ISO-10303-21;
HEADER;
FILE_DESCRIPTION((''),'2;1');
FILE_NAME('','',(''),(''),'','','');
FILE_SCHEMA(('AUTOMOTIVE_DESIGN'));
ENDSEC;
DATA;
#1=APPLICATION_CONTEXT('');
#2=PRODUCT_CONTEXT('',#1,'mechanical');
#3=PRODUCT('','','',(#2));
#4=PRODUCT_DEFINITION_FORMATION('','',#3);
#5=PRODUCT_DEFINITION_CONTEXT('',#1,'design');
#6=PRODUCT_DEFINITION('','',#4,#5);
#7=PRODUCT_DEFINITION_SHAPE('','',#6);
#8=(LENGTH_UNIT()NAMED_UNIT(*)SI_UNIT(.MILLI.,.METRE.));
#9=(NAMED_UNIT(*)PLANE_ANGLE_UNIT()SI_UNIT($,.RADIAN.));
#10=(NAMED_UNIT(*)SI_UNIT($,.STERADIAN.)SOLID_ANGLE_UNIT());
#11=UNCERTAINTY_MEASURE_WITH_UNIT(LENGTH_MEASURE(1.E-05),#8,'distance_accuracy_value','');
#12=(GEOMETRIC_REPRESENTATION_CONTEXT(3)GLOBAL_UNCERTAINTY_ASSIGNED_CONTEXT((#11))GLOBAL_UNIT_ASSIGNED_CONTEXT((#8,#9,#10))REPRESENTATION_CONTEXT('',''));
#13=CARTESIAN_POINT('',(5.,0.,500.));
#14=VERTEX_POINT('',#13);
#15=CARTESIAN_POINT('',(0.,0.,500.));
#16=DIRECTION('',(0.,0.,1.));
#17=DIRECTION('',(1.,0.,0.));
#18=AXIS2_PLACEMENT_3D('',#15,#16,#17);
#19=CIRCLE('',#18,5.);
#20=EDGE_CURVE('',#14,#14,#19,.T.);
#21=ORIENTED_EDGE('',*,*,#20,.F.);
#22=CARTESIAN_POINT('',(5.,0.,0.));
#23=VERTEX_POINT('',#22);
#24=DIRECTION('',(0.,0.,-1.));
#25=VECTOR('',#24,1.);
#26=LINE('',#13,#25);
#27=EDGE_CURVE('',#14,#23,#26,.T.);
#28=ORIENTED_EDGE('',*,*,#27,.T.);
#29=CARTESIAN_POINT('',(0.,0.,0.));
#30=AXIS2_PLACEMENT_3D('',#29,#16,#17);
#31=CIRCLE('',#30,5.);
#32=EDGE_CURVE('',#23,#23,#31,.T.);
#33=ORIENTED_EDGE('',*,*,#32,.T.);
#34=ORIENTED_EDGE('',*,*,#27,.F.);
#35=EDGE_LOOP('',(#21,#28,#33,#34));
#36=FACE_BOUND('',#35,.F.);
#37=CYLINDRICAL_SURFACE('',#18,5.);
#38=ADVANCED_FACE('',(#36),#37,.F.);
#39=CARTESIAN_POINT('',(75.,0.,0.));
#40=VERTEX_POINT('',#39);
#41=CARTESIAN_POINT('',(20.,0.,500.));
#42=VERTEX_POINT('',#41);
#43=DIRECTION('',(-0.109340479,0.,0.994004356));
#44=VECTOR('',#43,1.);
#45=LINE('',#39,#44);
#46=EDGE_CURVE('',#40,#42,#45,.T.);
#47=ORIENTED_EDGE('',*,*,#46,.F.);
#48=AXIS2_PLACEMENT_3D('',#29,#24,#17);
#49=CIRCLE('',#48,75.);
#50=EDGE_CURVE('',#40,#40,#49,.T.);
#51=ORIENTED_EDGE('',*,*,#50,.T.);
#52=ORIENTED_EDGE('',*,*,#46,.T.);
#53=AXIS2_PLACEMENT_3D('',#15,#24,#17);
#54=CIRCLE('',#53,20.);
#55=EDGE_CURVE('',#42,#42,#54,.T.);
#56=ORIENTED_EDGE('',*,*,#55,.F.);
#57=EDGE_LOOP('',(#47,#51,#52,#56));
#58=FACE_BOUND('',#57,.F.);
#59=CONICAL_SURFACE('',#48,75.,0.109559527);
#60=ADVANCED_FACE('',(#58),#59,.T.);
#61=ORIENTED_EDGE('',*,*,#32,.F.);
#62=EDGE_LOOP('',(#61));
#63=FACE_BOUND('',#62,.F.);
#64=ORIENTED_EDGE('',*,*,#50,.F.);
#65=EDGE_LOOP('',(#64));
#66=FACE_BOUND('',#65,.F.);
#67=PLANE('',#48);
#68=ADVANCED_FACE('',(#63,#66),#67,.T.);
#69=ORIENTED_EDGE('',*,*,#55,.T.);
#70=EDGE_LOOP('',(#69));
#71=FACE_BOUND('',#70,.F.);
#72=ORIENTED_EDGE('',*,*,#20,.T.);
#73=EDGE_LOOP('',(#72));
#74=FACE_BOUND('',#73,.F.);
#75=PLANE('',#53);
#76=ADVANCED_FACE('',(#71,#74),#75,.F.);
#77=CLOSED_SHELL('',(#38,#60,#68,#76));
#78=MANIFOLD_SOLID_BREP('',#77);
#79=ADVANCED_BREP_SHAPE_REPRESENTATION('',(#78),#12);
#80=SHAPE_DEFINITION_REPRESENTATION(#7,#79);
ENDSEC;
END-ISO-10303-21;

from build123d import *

# Parameters (mm, degrees)
F2_R     = 5
F3_DEPTH = 500.001


with BuildPart() as f1:
    # F0 (on Front) → F1 (revolve)
    with BuildSketch(Plane.XZ):
        Polygon((0, 500), (0, 0), (75, 0), (20, 500), align=None)
    revolve(axis=Axis((0, 0, 250), (0, 0, -1)))

    # F2 (on face) → F3 (cut, through all)
    with BuildSketch(Plane.XY.offset(500)):
        Circle(F2_R)
    extrude(amount=-F3_DEPTH, mode=Mode.SUBTRACT)


solid = f1.part
